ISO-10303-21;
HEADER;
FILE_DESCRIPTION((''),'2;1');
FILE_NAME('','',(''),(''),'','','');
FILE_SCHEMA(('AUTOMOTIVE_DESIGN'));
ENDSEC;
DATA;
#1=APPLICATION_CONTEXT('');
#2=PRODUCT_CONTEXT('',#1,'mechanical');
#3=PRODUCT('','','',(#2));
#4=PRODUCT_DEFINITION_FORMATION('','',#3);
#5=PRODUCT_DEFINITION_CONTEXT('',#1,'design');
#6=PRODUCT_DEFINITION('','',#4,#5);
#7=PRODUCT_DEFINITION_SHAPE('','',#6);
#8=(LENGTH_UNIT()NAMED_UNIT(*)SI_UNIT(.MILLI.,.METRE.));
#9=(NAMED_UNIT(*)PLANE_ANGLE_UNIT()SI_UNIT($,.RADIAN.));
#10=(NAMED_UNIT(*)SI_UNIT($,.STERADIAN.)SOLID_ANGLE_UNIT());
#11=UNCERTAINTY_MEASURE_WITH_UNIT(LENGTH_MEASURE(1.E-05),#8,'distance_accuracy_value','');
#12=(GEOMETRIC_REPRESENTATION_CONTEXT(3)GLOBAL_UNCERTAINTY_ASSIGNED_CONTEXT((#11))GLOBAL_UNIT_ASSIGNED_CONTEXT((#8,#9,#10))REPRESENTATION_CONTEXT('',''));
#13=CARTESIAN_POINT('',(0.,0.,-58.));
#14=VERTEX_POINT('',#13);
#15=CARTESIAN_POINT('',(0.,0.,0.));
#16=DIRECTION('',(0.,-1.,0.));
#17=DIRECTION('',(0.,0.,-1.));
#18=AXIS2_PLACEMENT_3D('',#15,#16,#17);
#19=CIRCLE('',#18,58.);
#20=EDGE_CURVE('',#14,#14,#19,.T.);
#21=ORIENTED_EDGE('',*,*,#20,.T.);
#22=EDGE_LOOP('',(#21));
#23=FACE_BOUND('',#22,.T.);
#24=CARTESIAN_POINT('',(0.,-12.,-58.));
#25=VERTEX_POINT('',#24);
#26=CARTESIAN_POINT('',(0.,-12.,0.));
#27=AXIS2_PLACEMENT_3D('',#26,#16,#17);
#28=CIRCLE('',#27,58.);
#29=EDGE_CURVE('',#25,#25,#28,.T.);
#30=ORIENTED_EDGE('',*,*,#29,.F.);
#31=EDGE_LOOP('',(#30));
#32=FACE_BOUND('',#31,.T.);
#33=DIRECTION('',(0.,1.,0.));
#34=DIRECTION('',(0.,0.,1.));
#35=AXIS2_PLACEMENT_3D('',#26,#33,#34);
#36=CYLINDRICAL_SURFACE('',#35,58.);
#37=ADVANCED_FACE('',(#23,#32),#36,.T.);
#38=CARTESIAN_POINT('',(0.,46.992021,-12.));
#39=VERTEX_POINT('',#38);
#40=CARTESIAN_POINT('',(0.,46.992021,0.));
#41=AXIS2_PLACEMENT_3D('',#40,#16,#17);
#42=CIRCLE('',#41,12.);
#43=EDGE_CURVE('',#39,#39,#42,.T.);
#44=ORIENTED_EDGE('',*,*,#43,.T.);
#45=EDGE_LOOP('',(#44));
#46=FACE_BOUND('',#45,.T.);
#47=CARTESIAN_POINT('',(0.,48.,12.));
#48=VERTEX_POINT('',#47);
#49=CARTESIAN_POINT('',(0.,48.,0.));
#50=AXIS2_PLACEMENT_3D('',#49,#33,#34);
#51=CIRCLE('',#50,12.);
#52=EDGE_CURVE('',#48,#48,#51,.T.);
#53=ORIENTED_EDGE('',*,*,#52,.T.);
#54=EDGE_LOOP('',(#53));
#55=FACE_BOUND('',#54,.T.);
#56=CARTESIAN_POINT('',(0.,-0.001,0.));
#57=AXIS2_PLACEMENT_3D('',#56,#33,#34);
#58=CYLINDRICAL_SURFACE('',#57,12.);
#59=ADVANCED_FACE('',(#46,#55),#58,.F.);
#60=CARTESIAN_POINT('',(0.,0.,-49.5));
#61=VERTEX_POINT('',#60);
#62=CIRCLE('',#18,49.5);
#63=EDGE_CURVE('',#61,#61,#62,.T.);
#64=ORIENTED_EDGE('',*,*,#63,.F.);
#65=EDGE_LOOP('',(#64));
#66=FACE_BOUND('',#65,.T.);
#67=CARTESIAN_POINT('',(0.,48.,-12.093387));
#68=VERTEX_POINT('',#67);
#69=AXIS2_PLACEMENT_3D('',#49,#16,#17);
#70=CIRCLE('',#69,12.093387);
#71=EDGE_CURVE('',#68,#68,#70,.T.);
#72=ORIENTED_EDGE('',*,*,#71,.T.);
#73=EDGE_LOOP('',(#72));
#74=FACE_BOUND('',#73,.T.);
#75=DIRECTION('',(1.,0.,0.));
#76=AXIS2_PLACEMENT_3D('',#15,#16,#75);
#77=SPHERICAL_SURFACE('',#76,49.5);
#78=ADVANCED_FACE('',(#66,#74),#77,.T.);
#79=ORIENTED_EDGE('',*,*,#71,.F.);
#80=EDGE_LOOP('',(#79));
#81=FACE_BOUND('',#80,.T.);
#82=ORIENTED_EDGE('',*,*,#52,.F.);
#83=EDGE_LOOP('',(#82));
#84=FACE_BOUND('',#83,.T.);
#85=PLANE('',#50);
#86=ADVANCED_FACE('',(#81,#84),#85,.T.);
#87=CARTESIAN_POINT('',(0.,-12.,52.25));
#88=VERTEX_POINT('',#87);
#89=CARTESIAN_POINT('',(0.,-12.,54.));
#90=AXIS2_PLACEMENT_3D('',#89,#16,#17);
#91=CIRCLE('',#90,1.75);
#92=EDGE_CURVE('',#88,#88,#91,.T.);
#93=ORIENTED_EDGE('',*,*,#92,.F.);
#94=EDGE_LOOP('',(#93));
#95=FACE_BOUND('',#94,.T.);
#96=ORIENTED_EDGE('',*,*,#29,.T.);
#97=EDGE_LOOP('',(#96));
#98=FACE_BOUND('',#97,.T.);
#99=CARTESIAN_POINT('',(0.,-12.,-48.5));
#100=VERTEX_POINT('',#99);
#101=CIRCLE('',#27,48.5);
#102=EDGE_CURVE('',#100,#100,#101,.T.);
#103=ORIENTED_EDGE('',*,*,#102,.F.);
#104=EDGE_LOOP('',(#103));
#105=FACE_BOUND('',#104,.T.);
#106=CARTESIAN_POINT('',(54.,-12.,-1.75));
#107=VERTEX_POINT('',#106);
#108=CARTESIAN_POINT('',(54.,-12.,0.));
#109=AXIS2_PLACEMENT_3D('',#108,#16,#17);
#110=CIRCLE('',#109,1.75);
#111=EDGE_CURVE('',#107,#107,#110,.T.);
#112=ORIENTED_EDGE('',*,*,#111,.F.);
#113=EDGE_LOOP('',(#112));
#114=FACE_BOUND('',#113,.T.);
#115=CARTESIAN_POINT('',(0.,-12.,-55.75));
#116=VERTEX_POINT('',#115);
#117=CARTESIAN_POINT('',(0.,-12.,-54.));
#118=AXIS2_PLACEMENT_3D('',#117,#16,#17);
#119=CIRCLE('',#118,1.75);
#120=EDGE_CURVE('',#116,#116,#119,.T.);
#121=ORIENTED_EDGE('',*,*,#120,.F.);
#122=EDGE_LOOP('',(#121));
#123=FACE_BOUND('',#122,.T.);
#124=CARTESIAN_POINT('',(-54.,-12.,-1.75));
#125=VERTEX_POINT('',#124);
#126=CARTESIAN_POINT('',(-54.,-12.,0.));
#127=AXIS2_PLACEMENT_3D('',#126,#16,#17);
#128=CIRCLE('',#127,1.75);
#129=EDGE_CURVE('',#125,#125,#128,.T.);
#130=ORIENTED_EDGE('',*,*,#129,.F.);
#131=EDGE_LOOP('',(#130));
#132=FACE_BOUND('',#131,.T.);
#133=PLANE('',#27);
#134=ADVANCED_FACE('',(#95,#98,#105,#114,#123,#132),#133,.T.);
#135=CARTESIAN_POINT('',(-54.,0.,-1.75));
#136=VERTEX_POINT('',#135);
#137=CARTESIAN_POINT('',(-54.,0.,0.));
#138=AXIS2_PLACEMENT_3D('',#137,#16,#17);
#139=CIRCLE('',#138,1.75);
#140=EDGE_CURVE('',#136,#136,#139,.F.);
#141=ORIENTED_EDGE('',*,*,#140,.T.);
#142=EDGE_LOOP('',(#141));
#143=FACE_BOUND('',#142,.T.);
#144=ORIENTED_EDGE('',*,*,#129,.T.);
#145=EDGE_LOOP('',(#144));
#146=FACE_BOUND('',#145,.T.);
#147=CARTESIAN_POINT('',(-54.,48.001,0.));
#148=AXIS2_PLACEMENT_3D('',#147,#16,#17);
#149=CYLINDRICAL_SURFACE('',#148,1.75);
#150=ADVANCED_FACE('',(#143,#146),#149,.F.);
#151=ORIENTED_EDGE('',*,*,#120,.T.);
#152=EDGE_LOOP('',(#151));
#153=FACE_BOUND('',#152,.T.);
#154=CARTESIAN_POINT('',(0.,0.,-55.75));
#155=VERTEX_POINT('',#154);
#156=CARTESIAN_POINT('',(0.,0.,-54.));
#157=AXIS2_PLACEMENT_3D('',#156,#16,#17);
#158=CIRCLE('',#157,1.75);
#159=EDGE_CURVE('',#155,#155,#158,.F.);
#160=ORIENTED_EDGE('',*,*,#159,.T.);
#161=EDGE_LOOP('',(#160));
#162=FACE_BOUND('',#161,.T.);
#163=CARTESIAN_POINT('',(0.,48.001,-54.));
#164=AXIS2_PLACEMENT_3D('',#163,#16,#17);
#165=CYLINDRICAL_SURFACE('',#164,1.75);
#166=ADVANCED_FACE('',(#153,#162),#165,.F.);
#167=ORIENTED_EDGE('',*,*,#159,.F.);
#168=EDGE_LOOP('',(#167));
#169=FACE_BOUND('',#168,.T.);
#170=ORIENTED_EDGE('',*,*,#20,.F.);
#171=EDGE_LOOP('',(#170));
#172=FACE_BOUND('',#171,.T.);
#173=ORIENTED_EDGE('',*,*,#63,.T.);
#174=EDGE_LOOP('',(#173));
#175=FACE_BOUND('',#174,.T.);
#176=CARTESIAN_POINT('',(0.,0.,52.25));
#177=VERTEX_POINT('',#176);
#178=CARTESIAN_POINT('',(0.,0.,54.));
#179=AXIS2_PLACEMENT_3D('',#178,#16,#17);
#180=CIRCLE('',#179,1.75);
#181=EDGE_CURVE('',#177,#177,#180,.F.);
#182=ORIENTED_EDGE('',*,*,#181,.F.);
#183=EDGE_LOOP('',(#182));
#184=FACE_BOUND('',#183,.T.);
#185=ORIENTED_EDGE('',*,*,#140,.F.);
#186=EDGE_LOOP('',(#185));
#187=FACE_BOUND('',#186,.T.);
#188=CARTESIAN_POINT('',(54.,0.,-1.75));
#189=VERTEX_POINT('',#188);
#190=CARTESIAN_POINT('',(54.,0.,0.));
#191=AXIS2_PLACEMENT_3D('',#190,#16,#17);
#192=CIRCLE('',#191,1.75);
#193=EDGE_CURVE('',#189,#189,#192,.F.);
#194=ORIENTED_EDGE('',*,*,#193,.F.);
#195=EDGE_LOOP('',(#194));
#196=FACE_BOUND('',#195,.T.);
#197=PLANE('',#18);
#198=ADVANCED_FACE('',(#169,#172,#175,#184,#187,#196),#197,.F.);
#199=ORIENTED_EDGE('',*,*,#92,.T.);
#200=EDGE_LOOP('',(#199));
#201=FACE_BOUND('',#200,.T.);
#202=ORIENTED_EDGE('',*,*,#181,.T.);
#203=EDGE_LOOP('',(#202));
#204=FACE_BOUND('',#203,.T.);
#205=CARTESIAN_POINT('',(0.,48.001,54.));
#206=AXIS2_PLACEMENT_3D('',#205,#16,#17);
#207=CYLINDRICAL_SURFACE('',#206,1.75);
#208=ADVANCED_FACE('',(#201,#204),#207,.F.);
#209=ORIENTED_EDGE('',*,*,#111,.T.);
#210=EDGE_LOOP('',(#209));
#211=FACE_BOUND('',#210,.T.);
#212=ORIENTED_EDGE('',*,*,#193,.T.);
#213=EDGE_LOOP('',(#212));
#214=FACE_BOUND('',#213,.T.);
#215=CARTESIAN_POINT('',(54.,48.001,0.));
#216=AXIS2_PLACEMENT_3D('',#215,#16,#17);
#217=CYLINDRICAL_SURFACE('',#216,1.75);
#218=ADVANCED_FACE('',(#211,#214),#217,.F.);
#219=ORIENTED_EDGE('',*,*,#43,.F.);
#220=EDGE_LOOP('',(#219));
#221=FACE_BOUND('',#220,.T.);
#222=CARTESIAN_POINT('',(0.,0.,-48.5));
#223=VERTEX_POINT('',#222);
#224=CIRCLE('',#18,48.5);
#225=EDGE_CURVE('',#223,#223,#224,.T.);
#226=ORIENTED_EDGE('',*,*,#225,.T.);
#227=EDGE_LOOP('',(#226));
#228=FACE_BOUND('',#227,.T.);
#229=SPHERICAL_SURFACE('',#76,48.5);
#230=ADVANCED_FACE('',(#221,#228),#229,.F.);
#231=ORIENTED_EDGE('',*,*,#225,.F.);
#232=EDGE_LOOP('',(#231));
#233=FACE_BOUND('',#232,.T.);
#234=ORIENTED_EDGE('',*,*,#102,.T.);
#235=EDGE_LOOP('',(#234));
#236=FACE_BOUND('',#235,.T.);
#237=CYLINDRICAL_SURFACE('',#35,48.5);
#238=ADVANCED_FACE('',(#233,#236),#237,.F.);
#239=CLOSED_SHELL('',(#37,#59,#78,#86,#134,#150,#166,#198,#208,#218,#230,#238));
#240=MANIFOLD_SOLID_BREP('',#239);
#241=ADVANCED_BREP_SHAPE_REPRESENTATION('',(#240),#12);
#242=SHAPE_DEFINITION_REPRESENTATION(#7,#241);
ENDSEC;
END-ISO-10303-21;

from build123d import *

# Parameters (mm, degrees)
CUT_EXTRUDE1_REACH  = 86.879
SKETCH2_R           = 12
SKETCH3_R           = 58
SKETCH3_R_2         = 48.5
BOSS_EXTRUDE1_DEPTH = 12
CUT_EXTRUDE2_REACH  = 103.627
SKETCH4_R           = 1.75


with BuildPart() as part:
    # Sketch1 → Revolve-Thin1 (revolve)
    with BuildSketch(Plane.XY, mode=Mode.PRIVATE) as revolve_thin1_sk:
        with BuildLine():
            Line((0, 47), (11.968709204, 47))
            ThreePointArc((11.968709204, 47), (38.293161246, 29.763800191), (48.5, 0))
            Line((48.5, 0), (49.5, 0))
            ThreePointArc((49.5, 0), (39.044030516, 30.427186546), (12.093386622, 48))
            Line((12.093386622, 48), (0, 48))
            Line((0, 48), (0, 47))
        make_face()
    revolve(revolve_thin1_sk.sketch.rotate(Axis((0, -100.538171033, 0), (0, 1, 0)), 90), axis=Axis((0, -100.538171033, 0), (0, 1, 0)))

    # Sketch2 → Cut-Extrude1 (cut, up to next)
    with BuildSketch(Plane(origin=(0, 48, 0), x_dir=(1, 0, 0), z_dir=(0, 1, 0)), mode=Mode.PRIVATE) as cut_extrude1_sk1:
        with Locations(Location((0, 0, 0), (0, 0, 270))):
            Circle(SKETCH2_R)
    cut_extrude1_tool1 = extrude(cut_extrude1_sk1.sketch, amount=-CUT_EXTRUDE1_REACH, mode=Mode.PRIVATE) & part.part
    add(cut_extrude1_tool1.solids().sort_by_distance((0, 48, 0))[0], mode=Mode.SUBTRACT)

    # Sketch3 → Boss-Extrude1 (add)
    with BuildSketch(Plane.XZ):
        with Locations(Location((0, 0, 0), (0, 0, 270))):
            Circle(SKETCH3_R)
        with Locations(Location((0, 0, 0), (0, 0, 270))):
            Circle(SKETCH3_R_2, mode=Mode.SUBTRACT)
    extrude(amount=BOSS_EXTRUDE1_DEPTH)

    # Sketch4 → Cut-Extrude2 (cut, up to next)
    with BuildSketch(Plane.XZ.offset(12), mode=Mode.PRIVATE) as cut_extrude2_sk1:
        with Locations(Location((0, 54, 0), (0, 0, 270))):
            Circle(SKETCH4_R)
    cut_extrude2_tool1 = extrude(cut_extrude2_sk1.sketch, amount=-CUT_EXTRUDE2_REACH, mode=Mode.PRIVATE) & part.part
    # Sketch4 → Cut-Extrude2 (cut, up to next)
    with BuildSketch(Plane.XZ.offset(12), mode=Mode.PRIVATE) as cut_extrude2_sk2:
        with Locations(Location((54, 0, 0), (0, 0, 270))):
            Circle(SKETCH4_R)
    cut_extrude2_tool2 = extrude(cut_extrude2_sk2.sketch, amount=-CUT_EXTRUDE2_REACH, mode=Mode.PRIVATE) & part.part
    # Sketch4 → Cut-Extrude2 (cut, up to next)
    with BuildSketch(Plane.XZ.offset(12), mode=Mode.PRIVATE) as cut_extrude2_sk3:
        with Locations(Location((-54, 0, 0), (0, 0, 270))):
            Circle(SKETCH4_R)
    cut_extrude2_tool3 = extrude(cut_extrude2_sk3.sketch, amount=-CUT_EXTRUDE2_REACH, mode=Mode.PRIVATE) & part.part
    # Sketch4 → Cut-Extrude2 (cut, up to next)
    with BuildSketch(Plane.XZ.offset(12), mode=Mode.PRIVATE) as cut_extrude2_sk4:
        with Locations(Location((0, -54, 0), (0, 0, 270))):
            Circle(SKETCH4_R)
    cut_extrude2_tool4 = extrude(cut_extrude2_sk4.sketch, amount=-CUT_EXTRUDE2_REACH, mode=Mode.PRIVATE) & part.part
    add(cut_extrude2_tool1.solids().sort_by_distance((0, -12, 54))[0], mode=Mode.SUBTRACT)
    add(cut_extrude2_tool2.solids().sort_by_distance((54, -12, 0))[0], mode=Mode.SUBTRACT)
    add(cut_extrude2_tool3.solids().sort_by_distance((-54, -12, 0))[0], mode=Mode.SUBTRACT)
    add(cut_extrude2_tool4.solids().sort_by_distance((0, -12, -54))[0], mode=Mode.SUBTRACT)


solid = part.part
